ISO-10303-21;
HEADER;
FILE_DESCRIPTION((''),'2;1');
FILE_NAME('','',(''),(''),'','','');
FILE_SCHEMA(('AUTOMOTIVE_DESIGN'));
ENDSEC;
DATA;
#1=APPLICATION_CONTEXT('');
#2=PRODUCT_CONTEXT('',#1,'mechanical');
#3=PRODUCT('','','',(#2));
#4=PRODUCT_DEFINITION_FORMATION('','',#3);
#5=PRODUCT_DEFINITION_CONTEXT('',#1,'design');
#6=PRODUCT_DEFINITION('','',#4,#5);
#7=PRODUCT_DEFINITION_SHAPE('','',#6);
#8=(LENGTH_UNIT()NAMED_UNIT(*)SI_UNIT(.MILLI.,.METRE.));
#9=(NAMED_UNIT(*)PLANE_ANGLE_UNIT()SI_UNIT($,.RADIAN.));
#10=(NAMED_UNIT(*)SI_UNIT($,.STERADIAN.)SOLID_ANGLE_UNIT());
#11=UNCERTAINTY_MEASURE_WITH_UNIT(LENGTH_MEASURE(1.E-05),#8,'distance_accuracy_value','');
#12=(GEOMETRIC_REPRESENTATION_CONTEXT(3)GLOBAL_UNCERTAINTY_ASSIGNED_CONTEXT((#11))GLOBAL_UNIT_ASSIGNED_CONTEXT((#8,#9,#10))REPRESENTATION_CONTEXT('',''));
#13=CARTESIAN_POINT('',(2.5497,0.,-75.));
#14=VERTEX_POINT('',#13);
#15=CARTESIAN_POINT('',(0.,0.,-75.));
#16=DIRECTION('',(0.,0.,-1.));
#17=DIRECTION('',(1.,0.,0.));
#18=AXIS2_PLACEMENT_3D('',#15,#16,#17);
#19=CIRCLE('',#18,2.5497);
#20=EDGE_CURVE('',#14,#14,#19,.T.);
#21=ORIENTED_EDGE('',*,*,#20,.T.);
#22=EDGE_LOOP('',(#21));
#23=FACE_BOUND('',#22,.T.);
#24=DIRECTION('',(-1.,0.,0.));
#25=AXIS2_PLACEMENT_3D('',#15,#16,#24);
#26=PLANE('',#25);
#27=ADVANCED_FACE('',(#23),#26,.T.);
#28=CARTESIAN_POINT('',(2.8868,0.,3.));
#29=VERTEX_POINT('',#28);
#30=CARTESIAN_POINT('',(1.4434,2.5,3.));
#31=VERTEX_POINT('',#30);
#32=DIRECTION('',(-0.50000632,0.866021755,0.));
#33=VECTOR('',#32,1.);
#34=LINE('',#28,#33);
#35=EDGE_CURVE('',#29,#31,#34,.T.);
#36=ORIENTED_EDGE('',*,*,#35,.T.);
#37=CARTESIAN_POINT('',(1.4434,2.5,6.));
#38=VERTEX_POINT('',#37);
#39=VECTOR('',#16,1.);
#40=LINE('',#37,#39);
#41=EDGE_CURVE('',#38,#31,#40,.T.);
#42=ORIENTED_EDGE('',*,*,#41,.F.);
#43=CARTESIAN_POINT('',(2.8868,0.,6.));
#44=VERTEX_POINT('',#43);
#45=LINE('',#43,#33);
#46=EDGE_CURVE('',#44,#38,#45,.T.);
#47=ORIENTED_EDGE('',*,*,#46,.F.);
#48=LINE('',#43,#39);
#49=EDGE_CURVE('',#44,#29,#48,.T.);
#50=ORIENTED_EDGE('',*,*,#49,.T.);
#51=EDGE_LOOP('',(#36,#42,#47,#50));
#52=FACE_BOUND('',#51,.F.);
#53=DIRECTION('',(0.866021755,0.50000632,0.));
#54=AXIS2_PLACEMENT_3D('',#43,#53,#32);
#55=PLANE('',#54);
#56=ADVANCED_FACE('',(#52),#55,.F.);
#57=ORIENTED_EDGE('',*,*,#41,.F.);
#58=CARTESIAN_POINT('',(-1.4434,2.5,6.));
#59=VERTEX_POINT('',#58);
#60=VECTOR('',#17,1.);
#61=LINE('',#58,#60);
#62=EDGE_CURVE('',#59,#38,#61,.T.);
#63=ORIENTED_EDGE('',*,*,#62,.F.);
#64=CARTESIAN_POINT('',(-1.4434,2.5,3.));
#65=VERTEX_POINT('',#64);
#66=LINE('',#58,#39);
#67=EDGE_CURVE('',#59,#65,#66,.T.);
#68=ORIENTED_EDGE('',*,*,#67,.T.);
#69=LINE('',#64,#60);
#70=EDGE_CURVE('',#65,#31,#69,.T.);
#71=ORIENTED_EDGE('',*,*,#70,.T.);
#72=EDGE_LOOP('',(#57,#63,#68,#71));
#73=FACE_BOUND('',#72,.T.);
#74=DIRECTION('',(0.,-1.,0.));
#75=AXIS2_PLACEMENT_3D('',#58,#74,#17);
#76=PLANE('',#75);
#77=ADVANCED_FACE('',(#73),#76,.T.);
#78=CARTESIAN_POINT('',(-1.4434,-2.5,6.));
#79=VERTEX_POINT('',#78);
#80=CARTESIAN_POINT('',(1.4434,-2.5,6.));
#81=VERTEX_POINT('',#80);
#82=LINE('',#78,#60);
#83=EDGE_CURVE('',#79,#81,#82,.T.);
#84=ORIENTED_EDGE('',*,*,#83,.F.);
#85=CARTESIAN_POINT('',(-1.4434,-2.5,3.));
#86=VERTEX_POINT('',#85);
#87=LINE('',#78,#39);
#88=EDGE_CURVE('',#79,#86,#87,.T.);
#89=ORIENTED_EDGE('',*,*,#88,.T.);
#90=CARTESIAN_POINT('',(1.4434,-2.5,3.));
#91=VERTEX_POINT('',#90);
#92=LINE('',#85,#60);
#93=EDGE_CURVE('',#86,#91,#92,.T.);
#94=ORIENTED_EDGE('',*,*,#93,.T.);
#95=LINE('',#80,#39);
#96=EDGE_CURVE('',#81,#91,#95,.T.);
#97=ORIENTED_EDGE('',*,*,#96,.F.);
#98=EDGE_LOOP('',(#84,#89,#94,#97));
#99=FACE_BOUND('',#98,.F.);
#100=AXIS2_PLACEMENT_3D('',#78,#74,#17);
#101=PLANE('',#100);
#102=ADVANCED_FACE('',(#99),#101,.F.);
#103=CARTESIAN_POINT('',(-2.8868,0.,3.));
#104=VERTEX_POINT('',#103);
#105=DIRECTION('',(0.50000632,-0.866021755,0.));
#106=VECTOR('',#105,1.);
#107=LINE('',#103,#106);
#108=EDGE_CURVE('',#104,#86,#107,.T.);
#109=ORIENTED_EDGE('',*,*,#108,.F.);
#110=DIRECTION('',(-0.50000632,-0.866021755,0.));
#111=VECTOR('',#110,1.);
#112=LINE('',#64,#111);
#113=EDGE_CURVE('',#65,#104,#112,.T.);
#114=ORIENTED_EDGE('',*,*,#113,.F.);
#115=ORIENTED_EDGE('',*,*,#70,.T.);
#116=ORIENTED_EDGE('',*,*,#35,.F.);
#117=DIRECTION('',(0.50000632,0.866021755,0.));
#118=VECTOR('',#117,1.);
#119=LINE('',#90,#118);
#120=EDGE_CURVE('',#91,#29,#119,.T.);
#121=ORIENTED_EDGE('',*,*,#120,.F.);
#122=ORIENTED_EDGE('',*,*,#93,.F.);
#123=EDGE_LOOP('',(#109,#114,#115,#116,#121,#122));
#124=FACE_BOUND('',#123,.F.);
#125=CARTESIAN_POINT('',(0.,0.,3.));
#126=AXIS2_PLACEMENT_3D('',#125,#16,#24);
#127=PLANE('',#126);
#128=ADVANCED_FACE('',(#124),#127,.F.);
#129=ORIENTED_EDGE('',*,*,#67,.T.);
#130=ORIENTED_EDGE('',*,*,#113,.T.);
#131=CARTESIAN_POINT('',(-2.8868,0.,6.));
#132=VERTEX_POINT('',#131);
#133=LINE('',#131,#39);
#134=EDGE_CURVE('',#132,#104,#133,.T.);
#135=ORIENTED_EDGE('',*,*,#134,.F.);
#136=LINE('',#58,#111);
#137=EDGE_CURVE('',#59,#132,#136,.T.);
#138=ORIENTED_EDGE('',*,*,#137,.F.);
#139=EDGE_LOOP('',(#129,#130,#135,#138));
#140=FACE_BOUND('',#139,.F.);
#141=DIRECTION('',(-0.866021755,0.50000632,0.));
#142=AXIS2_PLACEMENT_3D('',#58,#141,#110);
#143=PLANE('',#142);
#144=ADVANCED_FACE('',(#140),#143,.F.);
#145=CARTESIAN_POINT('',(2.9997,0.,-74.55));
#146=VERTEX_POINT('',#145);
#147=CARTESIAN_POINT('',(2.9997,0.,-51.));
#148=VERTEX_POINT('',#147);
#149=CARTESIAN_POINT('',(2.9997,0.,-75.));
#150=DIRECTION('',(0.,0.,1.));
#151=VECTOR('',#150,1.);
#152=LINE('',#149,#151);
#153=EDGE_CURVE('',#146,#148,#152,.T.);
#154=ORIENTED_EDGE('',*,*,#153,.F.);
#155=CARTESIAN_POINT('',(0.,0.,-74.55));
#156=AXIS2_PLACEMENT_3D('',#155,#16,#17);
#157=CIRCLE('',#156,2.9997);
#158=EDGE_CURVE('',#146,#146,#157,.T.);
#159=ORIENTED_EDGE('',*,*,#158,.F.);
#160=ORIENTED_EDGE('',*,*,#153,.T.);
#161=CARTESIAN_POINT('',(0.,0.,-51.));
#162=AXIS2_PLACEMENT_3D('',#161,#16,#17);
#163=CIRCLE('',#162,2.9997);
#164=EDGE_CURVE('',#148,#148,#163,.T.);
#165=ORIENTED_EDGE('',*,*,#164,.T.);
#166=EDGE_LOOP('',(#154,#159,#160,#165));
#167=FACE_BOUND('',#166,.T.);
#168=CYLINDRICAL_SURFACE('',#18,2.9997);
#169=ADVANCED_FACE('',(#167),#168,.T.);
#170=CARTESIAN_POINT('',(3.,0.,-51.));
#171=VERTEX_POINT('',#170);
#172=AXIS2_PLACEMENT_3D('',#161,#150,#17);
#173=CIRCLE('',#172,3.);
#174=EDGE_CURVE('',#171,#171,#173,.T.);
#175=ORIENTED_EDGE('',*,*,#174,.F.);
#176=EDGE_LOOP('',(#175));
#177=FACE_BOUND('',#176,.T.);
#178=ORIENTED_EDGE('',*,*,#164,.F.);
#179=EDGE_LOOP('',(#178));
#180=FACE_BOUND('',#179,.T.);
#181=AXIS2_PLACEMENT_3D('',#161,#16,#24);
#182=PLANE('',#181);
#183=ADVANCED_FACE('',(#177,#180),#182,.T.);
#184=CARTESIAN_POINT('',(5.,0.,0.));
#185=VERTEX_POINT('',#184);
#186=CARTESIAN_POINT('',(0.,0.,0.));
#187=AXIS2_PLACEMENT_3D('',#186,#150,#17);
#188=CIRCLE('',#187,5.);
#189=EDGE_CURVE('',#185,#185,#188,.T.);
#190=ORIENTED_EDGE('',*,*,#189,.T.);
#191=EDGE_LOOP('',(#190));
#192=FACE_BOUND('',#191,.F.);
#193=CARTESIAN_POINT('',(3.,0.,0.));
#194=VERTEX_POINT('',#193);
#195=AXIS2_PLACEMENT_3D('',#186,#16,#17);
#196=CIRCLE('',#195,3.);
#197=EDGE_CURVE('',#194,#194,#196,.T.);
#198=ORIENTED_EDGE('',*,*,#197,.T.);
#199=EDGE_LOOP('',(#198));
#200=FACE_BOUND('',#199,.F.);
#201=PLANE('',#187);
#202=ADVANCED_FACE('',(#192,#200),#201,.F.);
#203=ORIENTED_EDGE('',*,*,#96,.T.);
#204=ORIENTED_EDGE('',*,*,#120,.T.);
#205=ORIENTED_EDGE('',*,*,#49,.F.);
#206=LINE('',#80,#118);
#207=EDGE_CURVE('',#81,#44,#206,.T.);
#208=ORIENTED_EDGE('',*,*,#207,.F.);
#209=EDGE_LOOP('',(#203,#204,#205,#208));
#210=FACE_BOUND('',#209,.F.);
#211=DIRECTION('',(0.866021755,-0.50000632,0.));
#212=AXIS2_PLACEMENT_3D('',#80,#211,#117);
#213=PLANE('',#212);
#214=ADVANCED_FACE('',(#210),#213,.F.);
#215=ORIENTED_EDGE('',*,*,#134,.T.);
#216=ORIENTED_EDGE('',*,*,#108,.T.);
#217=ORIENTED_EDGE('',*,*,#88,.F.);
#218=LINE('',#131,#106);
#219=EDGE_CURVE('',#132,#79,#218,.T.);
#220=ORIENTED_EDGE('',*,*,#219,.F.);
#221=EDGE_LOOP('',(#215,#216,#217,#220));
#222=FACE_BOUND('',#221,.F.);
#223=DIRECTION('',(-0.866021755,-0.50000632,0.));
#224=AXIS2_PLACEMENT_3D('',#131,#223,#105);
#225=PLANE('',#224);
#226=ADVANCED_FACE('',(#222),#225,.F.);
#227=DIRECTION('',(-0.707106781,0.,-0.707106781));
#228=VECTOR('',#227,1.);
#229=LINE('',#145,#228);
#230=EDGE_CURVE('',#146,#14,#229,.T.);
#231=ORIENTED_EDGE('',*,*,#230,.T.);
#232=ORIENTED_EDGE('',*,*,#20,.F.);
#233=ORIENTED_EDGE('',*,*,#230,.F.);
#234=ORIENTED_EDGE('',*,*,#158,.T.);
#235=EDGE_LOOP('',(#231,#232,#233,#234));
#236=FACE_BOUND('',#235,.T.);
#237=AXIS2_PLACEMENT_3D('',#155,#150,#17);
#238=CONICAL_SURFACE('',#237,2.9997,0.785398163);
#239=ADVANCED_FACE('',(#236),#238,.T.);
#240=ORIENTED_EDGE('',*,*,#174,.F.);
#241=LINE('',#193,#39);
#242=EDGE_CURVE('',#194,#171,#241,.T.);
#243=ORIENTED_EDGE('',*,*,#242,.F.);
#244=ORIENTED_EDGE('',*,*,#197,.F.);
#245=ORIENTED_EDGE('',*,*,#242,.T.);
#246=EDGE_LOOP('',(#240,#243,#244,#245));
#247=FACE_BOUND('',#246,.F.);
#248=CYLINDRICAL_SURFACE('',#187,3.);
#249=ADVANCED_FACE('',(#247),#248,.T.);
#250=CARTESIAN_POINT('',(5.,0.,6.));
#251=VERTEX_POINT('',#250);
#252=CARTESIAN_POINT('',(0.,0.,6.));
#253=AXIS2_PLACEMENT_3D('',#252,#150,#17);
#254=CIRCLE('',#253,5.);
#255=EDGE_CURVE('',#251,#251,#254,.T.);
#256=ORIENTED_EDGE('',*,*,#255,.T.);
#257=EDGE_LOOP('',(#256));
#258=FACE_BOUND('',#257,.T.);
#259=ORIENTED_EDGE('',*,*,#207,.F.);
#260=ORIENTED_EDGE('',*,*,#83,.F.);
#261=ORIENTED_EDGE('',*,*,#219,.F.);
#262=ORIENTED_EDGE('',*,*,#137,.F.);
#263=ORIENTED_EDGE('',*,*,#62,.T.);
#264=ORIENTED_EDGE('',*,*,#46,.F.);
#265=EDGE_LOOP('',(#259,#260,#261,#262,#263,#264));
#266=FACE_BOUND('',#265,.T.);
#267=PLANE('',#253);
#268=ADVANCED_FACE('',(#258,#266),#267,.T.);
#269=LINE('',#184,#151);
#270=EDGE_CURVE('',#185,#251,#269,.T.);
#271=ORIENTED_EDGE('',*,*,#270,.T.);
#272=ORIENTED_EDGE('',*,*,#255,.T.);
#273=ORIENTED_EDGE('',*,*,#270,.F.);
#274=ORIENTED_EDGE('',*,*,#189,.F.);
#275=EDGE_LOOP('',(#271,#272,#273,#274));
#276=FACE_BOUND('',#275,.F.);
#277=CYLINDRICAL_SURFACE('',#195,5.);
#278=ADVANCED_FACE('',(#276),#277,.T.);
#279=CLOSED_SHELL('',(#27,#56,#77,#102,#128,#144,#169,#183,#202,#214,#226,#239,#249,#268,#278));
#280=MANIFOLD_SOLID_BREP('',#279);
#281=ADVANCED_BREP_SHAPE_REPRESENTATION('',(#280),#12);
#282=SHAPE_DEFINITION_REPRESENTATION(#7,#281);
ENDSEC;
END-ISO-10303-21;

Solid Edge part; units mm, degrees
sketch "Sketch1" plane through (0, 0, 0) normal (0, 0, 1) x (1, 0, 0)
  circle A0 centre (0, 0) radius 5
  dimension "D1" = 10
extrude "Protrusion1" add sketch "Sketch1" along normal blind 6
sketch "Sketch2" plane through (0, 0, 0) normal (0, 0, -1) x (1, 0, 0)
  circle A0 centre (0, 0) radius 3
extrude "Protrusion2" add sketch "Sketch2" along normal blind 75
sketch "Sketch3" plane through (0, 0, -75) normal (0, 0, -1) x (1, 0, 0)
  circle A0 centre (0, 0) radius 2.9997
extrude "Cutout1" cut sketch "Sketch3" against normal blind 24 flip side to cut
chamfer "Chamfer_1" distance 0.45 angle 45 1 edges at (-2.9997, 0, -75)
sketch "Sketch4" plane through (0, 0, 6) normal (0, 0, 1) x (1, 0, 0)
  line L0 (-1.4434, 2.5) -> (1.4434, 2.5)
  line L1 (2.8868, 0) -> (1.4434, 2.5)
  line L2 (1.4434, -2.5) -> (2.8868, 0)
  line L3 (-1.4434, -2.5) -> (1.4434, -2.5)
  line L4 (-2.8868, 0) -> (-1.4434, -2.5)
  line L5 (-1.4434, 2.5) -> (-2.8868, 0)
  dimension "D1" = 5
extrude "Cutout2" cut sketch "Sketch4" against normal blind 3
properties part number "185713" material "Stainless Steel, 304"
